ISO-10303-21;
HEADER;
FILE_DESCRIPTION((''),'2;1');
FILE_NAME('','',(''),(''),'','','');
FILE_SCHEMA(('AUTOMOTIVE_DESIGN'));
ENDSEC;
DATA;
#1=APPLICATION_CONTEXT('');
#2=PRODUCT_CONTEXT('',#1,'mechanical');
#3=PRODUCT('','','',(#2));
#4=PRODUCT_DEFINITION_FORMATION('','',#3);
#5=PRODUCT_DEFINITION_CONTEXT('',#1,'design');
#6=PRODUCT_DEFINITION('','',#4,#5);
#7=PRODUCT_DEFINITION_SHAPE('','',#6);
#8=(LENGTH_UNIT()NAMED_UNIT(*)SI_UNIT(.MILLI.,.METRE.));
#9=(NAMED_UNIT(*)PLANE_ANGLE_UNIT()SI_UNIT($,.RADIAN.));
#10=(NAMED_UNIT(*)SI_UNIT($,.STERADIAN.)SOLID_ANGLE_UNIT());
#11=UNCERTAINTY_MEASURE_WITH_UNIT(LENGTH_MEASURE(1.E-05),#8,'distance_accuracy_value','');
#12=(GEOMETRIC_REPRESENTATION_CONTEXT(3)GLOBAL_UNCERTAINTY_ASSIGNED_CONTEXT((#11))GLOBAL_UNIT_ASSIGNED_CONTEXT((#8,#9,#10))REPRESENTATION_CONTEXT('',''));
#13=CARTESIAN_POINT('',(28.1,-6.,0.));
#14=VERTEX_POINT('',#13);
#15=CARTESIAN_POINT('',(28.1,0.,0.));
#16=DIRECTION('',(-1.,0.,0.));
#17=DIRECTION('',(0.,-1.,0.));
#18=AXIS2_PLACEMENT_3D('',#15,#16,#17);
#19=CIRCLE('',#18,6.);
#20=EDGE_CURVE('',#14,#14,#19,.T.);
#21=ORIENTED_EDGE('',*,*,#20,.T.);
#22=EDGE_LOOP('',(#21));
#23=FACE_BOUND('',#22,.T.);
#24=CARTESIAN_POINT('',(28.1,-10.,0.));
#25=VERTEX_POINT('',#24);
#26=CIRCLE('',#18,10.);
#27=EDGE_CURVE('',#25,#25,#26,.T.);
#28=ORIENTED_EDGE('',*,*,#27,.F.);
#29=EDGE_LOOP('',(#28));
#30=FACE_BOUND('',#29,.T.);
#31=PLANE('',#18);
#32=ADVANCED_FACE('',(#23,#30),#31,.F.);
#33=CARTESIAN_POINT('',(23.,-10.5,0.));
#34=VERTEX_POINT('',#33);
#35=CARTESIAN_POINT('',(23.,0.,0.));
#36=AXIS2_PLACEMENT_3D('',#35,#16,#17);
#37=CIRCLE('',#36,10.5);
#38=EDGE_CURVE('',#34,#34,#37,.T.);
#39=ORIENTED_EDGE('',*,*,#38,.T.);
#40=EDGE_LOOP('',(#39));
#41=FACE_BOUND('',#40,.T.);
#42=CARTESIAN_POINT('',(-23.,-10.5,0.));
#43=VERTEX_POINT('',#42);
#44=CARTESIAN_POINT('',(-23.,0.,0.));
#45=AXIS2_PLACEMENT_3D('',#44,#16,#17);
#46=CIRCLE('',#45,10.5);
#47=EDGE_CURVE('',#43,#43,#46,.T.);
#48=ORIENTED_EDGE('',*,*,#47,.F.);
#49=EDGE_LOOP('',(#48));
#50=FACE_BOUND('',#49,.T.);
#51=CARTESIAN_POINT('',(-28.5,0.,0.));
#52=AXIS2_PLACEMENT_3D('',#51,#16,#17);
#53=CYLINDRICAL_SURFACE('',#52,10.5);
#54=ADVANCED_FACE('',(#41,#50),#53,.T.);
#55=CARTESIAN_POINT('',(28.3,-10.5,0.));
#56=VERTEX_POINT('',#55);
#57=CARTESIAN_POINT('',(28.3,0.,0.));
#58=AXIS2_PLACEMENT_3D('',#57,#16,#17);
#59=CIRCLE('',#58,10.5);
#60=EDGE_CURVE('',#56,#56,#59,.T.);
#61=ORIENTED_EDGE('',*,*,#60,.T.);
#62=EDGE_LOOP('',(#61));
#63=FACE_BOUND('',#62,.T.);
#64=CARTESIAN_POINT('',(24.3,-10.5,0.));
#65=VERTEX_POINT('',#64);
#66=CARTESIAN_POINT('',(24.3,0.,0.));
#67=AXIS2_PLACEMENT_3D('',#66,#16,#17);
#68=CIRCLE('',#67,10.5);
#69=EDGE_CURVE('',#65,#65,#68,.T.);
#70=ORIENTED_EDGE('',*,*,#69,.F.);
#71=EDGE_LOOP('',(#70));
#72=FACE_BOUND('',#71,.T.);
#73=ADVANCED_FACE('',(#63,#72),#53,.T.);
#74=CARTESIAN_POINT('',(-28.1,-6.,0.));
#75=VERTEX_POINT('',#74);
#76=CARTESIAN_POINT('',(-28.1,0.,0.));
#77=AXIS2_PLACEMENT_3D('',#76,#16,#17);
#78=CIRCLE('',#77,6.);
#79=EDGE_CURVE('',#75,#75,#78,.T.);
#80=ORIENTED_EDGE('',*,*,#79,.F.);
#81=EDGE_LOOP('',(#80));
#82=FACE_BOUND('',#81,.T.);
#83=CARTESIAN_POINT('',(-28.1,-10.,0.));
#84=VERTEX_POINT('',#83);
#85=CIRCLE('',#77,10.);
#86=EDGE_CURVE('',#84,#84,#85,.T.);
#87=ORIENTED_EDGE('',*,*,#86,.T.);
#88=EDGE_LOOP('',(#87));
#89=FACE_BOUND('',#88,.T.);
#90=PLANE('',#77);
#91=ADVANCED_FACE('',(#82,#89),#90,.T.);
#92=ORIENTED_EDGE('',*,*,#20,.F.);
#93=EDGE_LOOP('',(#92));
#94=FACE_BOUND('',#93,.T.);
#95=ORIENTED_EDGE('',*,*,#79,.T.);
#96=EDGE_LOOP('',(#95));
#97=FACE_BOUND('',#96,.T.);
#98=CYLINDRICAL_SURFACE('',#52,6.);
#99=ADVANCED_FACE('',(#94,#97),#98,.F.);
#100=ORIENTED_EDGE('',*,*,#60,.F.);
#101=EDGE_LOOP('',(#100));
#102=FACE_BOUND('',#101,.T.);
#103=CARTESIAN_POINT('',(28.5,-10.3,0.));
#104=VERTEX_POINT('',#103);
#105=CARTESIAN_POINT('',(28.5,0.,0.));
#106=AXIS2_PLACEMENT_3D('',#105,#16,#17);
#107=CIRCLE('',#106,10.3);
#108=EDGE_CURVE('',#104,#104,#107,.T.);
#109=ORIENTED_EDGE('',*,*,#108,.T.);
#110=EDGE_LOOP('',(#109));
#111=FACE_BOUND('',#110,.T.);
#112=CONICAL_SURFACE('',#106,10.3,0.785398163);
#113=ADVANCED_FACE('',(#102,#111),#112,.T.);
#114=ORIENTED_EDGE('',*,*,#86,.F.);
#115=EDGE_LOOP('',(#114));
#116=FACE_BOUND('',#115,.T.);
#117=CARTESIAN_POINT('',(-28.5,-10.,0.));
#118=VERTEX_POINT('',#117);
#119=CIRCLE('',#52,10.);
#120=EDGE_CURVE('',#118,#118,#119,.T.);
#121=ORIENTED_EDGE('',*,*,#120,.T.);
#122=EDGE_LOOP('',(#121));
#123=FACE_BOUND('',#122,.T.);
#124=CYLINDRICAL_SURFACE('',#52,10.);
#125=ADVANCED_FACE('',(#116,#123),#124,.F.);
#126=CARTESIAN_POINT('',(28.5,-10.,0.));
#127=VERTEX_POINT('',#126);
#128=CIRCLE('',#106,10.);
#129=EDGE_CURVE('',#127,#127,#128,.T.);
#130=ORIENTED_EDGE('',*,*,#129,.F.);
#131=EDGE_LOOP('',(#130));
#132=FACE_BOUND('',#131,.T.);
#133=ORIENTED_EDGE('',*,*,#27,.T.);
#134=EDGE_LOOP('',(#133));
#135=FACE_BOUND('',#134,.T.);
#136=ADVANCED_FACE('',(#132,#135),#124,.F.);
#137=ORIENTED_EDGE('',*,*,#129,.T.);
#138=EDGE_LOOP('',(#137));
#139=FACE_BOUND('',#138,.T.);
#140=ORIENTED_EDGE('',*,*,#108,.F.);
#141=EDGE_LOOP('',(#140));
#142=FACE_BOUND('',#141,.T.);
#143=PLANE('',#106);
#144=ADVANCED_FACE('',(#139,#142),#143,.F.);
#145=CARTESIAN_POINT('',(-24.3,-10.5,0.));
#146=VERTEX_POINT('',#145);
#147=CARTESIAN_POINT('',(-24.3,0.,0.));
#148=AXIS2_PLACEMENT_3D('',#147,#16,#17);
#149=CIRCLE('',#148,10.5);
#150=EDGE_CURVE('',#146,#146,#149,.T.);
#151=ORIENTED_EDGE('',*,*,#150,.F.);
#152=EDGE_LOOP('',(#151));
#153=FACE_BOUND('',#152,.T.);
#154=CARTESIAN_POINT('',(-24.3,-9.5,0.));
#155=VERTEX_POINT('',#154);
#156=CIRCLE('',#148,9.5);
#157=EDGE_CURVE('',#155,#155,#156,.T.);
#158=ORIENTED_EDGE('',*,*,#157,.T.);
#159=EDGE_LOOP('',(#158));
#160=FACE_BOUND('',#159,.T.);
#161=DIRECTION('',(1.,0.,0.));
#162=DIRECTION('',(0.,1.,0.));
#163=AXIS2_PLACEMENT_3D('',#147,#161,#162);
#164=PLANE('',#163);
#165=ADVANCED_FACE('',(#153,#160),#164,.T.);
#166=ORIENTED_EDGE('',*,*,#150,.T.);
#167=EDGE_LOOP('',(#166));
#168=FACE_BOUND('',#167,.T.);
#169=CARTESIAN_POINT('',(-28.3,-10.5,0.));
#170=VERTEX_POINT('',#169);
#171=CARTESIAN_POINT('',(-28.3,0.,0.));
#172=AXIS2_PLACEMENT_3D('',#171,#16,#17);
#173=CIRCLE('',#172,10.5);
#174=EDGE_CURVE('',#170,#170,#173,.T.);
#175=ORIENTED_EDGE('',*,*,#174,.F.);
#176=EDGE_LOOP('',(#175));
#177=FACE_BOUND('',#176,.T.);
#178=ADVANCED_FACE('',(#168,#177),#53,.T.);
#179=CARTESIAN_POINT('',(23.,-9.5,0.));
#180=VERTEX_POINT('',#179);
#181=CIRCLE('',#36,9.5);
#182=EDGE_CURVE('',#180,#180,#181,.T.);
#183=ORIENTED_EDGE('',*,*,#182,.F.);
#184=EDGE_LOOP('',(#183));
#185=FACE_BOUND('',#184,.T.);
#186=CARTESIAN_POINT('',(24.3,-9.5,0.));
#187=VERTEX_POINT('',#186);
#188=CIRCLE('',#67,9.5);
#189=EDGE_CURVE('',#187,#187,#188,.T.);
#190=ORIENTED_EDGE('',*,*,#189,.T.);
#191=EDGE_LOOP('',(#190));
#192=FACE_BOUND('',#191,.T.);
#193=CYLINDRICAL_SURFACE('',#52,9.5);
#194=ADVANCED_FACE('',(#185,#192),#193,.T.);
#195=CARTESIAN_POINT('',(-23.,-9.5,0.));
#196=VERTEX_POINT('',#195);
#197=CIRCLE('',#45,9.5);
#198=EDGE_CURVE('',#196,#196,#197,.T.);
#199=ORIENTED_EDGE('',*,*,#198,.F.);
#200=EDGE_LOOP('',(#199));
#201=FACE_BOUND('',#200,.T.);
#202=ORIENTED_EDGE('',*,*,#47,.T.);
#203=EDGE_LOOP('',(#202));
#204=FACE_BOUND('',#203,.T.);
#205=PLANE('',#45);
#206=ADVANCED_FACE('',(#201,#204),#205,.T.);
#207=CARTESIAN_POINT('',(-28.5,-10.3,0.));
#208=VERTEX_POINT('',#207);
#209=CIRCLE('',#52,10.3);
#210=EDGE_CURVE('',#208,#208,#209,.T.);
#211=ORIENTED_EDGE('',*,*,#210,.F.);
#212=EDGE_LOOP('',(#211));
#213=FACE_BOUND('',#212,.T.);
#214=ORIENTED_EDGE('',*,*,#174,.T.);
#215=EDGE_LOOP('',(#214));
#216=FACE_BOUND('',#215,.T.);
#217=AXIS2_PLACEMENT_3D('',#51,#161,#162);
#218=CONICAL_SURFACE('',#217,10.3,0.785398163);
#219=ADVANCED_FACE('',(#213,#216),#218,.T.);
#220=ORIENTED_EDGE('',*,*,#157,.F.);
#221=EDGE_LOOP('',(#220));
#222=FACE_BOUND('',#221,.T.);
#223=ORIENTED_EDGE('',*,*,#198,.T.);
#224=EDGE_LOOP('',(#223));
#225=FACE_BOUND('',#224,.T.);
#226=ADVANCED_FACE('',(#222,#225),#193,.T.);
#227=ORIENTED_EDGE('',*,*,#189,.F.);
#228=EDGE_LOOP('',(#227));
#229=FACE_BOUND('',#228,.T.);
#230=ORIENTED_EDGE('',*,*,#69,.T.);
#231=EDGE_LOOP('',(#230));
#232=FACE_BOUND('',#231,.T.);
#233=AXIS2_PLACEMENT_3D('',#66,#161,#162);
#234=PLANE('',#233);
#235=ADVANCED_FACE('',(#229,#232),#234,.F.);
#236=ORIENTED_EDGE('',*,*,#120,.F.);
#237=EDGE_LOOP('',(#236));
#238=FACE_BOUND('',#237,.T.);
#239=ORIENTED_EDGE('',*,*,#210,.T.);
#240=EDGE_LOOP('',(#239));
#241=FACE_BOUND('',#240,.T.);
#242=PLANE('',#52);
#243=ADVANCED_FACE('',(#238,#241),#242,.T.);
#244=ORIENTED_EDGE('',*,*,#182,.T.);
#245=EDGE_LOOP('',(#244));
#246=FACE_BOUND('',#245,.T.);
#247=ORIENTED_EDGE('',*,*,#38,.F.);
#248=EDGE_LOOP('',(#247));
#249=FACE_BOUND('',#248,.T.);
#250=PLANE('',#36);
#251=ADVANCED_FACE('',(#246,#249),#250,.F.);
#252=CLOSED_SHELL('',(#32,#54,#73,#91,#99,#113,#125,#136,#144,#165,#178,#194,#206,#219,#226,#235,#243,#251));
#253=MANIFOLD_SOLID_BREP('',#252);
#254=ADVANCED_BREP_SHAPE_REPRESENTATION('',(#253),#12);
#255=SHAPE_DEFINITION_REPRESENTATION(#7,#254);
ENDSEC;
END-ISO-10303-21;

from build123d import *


with BuildPart() as part:
    # Sketch1 → Revolve2 (revolve)
    with BuildSketch(Plane.XY, mode=Mode.PRIVATE) as revolve2_sk:
        Polygon((28.1, 10), (28.5, 10), (28.5, 10.3), (28.3, 10.5), (24.3, 10.5), (24.3, 9.5), (23, 9.5), (23, 10.5), (-23, 10.5), (-23, 9.5), (-24.3, 9.5), (-24.3, 10.5), (-28.3, 10.5), (-28.5, 10.3), (-28.5, 10), (-28.1, 10), (-28.1, 6), (28.1, 6), align=None)
    revolve(revolve2_sk.sketch.rotate(Axis((-28.5, 0, 0), (1, 0, 0)), 180), axis=Axis((-28.5, 0, 0), (1, 0, 0)))


solid = part.part
